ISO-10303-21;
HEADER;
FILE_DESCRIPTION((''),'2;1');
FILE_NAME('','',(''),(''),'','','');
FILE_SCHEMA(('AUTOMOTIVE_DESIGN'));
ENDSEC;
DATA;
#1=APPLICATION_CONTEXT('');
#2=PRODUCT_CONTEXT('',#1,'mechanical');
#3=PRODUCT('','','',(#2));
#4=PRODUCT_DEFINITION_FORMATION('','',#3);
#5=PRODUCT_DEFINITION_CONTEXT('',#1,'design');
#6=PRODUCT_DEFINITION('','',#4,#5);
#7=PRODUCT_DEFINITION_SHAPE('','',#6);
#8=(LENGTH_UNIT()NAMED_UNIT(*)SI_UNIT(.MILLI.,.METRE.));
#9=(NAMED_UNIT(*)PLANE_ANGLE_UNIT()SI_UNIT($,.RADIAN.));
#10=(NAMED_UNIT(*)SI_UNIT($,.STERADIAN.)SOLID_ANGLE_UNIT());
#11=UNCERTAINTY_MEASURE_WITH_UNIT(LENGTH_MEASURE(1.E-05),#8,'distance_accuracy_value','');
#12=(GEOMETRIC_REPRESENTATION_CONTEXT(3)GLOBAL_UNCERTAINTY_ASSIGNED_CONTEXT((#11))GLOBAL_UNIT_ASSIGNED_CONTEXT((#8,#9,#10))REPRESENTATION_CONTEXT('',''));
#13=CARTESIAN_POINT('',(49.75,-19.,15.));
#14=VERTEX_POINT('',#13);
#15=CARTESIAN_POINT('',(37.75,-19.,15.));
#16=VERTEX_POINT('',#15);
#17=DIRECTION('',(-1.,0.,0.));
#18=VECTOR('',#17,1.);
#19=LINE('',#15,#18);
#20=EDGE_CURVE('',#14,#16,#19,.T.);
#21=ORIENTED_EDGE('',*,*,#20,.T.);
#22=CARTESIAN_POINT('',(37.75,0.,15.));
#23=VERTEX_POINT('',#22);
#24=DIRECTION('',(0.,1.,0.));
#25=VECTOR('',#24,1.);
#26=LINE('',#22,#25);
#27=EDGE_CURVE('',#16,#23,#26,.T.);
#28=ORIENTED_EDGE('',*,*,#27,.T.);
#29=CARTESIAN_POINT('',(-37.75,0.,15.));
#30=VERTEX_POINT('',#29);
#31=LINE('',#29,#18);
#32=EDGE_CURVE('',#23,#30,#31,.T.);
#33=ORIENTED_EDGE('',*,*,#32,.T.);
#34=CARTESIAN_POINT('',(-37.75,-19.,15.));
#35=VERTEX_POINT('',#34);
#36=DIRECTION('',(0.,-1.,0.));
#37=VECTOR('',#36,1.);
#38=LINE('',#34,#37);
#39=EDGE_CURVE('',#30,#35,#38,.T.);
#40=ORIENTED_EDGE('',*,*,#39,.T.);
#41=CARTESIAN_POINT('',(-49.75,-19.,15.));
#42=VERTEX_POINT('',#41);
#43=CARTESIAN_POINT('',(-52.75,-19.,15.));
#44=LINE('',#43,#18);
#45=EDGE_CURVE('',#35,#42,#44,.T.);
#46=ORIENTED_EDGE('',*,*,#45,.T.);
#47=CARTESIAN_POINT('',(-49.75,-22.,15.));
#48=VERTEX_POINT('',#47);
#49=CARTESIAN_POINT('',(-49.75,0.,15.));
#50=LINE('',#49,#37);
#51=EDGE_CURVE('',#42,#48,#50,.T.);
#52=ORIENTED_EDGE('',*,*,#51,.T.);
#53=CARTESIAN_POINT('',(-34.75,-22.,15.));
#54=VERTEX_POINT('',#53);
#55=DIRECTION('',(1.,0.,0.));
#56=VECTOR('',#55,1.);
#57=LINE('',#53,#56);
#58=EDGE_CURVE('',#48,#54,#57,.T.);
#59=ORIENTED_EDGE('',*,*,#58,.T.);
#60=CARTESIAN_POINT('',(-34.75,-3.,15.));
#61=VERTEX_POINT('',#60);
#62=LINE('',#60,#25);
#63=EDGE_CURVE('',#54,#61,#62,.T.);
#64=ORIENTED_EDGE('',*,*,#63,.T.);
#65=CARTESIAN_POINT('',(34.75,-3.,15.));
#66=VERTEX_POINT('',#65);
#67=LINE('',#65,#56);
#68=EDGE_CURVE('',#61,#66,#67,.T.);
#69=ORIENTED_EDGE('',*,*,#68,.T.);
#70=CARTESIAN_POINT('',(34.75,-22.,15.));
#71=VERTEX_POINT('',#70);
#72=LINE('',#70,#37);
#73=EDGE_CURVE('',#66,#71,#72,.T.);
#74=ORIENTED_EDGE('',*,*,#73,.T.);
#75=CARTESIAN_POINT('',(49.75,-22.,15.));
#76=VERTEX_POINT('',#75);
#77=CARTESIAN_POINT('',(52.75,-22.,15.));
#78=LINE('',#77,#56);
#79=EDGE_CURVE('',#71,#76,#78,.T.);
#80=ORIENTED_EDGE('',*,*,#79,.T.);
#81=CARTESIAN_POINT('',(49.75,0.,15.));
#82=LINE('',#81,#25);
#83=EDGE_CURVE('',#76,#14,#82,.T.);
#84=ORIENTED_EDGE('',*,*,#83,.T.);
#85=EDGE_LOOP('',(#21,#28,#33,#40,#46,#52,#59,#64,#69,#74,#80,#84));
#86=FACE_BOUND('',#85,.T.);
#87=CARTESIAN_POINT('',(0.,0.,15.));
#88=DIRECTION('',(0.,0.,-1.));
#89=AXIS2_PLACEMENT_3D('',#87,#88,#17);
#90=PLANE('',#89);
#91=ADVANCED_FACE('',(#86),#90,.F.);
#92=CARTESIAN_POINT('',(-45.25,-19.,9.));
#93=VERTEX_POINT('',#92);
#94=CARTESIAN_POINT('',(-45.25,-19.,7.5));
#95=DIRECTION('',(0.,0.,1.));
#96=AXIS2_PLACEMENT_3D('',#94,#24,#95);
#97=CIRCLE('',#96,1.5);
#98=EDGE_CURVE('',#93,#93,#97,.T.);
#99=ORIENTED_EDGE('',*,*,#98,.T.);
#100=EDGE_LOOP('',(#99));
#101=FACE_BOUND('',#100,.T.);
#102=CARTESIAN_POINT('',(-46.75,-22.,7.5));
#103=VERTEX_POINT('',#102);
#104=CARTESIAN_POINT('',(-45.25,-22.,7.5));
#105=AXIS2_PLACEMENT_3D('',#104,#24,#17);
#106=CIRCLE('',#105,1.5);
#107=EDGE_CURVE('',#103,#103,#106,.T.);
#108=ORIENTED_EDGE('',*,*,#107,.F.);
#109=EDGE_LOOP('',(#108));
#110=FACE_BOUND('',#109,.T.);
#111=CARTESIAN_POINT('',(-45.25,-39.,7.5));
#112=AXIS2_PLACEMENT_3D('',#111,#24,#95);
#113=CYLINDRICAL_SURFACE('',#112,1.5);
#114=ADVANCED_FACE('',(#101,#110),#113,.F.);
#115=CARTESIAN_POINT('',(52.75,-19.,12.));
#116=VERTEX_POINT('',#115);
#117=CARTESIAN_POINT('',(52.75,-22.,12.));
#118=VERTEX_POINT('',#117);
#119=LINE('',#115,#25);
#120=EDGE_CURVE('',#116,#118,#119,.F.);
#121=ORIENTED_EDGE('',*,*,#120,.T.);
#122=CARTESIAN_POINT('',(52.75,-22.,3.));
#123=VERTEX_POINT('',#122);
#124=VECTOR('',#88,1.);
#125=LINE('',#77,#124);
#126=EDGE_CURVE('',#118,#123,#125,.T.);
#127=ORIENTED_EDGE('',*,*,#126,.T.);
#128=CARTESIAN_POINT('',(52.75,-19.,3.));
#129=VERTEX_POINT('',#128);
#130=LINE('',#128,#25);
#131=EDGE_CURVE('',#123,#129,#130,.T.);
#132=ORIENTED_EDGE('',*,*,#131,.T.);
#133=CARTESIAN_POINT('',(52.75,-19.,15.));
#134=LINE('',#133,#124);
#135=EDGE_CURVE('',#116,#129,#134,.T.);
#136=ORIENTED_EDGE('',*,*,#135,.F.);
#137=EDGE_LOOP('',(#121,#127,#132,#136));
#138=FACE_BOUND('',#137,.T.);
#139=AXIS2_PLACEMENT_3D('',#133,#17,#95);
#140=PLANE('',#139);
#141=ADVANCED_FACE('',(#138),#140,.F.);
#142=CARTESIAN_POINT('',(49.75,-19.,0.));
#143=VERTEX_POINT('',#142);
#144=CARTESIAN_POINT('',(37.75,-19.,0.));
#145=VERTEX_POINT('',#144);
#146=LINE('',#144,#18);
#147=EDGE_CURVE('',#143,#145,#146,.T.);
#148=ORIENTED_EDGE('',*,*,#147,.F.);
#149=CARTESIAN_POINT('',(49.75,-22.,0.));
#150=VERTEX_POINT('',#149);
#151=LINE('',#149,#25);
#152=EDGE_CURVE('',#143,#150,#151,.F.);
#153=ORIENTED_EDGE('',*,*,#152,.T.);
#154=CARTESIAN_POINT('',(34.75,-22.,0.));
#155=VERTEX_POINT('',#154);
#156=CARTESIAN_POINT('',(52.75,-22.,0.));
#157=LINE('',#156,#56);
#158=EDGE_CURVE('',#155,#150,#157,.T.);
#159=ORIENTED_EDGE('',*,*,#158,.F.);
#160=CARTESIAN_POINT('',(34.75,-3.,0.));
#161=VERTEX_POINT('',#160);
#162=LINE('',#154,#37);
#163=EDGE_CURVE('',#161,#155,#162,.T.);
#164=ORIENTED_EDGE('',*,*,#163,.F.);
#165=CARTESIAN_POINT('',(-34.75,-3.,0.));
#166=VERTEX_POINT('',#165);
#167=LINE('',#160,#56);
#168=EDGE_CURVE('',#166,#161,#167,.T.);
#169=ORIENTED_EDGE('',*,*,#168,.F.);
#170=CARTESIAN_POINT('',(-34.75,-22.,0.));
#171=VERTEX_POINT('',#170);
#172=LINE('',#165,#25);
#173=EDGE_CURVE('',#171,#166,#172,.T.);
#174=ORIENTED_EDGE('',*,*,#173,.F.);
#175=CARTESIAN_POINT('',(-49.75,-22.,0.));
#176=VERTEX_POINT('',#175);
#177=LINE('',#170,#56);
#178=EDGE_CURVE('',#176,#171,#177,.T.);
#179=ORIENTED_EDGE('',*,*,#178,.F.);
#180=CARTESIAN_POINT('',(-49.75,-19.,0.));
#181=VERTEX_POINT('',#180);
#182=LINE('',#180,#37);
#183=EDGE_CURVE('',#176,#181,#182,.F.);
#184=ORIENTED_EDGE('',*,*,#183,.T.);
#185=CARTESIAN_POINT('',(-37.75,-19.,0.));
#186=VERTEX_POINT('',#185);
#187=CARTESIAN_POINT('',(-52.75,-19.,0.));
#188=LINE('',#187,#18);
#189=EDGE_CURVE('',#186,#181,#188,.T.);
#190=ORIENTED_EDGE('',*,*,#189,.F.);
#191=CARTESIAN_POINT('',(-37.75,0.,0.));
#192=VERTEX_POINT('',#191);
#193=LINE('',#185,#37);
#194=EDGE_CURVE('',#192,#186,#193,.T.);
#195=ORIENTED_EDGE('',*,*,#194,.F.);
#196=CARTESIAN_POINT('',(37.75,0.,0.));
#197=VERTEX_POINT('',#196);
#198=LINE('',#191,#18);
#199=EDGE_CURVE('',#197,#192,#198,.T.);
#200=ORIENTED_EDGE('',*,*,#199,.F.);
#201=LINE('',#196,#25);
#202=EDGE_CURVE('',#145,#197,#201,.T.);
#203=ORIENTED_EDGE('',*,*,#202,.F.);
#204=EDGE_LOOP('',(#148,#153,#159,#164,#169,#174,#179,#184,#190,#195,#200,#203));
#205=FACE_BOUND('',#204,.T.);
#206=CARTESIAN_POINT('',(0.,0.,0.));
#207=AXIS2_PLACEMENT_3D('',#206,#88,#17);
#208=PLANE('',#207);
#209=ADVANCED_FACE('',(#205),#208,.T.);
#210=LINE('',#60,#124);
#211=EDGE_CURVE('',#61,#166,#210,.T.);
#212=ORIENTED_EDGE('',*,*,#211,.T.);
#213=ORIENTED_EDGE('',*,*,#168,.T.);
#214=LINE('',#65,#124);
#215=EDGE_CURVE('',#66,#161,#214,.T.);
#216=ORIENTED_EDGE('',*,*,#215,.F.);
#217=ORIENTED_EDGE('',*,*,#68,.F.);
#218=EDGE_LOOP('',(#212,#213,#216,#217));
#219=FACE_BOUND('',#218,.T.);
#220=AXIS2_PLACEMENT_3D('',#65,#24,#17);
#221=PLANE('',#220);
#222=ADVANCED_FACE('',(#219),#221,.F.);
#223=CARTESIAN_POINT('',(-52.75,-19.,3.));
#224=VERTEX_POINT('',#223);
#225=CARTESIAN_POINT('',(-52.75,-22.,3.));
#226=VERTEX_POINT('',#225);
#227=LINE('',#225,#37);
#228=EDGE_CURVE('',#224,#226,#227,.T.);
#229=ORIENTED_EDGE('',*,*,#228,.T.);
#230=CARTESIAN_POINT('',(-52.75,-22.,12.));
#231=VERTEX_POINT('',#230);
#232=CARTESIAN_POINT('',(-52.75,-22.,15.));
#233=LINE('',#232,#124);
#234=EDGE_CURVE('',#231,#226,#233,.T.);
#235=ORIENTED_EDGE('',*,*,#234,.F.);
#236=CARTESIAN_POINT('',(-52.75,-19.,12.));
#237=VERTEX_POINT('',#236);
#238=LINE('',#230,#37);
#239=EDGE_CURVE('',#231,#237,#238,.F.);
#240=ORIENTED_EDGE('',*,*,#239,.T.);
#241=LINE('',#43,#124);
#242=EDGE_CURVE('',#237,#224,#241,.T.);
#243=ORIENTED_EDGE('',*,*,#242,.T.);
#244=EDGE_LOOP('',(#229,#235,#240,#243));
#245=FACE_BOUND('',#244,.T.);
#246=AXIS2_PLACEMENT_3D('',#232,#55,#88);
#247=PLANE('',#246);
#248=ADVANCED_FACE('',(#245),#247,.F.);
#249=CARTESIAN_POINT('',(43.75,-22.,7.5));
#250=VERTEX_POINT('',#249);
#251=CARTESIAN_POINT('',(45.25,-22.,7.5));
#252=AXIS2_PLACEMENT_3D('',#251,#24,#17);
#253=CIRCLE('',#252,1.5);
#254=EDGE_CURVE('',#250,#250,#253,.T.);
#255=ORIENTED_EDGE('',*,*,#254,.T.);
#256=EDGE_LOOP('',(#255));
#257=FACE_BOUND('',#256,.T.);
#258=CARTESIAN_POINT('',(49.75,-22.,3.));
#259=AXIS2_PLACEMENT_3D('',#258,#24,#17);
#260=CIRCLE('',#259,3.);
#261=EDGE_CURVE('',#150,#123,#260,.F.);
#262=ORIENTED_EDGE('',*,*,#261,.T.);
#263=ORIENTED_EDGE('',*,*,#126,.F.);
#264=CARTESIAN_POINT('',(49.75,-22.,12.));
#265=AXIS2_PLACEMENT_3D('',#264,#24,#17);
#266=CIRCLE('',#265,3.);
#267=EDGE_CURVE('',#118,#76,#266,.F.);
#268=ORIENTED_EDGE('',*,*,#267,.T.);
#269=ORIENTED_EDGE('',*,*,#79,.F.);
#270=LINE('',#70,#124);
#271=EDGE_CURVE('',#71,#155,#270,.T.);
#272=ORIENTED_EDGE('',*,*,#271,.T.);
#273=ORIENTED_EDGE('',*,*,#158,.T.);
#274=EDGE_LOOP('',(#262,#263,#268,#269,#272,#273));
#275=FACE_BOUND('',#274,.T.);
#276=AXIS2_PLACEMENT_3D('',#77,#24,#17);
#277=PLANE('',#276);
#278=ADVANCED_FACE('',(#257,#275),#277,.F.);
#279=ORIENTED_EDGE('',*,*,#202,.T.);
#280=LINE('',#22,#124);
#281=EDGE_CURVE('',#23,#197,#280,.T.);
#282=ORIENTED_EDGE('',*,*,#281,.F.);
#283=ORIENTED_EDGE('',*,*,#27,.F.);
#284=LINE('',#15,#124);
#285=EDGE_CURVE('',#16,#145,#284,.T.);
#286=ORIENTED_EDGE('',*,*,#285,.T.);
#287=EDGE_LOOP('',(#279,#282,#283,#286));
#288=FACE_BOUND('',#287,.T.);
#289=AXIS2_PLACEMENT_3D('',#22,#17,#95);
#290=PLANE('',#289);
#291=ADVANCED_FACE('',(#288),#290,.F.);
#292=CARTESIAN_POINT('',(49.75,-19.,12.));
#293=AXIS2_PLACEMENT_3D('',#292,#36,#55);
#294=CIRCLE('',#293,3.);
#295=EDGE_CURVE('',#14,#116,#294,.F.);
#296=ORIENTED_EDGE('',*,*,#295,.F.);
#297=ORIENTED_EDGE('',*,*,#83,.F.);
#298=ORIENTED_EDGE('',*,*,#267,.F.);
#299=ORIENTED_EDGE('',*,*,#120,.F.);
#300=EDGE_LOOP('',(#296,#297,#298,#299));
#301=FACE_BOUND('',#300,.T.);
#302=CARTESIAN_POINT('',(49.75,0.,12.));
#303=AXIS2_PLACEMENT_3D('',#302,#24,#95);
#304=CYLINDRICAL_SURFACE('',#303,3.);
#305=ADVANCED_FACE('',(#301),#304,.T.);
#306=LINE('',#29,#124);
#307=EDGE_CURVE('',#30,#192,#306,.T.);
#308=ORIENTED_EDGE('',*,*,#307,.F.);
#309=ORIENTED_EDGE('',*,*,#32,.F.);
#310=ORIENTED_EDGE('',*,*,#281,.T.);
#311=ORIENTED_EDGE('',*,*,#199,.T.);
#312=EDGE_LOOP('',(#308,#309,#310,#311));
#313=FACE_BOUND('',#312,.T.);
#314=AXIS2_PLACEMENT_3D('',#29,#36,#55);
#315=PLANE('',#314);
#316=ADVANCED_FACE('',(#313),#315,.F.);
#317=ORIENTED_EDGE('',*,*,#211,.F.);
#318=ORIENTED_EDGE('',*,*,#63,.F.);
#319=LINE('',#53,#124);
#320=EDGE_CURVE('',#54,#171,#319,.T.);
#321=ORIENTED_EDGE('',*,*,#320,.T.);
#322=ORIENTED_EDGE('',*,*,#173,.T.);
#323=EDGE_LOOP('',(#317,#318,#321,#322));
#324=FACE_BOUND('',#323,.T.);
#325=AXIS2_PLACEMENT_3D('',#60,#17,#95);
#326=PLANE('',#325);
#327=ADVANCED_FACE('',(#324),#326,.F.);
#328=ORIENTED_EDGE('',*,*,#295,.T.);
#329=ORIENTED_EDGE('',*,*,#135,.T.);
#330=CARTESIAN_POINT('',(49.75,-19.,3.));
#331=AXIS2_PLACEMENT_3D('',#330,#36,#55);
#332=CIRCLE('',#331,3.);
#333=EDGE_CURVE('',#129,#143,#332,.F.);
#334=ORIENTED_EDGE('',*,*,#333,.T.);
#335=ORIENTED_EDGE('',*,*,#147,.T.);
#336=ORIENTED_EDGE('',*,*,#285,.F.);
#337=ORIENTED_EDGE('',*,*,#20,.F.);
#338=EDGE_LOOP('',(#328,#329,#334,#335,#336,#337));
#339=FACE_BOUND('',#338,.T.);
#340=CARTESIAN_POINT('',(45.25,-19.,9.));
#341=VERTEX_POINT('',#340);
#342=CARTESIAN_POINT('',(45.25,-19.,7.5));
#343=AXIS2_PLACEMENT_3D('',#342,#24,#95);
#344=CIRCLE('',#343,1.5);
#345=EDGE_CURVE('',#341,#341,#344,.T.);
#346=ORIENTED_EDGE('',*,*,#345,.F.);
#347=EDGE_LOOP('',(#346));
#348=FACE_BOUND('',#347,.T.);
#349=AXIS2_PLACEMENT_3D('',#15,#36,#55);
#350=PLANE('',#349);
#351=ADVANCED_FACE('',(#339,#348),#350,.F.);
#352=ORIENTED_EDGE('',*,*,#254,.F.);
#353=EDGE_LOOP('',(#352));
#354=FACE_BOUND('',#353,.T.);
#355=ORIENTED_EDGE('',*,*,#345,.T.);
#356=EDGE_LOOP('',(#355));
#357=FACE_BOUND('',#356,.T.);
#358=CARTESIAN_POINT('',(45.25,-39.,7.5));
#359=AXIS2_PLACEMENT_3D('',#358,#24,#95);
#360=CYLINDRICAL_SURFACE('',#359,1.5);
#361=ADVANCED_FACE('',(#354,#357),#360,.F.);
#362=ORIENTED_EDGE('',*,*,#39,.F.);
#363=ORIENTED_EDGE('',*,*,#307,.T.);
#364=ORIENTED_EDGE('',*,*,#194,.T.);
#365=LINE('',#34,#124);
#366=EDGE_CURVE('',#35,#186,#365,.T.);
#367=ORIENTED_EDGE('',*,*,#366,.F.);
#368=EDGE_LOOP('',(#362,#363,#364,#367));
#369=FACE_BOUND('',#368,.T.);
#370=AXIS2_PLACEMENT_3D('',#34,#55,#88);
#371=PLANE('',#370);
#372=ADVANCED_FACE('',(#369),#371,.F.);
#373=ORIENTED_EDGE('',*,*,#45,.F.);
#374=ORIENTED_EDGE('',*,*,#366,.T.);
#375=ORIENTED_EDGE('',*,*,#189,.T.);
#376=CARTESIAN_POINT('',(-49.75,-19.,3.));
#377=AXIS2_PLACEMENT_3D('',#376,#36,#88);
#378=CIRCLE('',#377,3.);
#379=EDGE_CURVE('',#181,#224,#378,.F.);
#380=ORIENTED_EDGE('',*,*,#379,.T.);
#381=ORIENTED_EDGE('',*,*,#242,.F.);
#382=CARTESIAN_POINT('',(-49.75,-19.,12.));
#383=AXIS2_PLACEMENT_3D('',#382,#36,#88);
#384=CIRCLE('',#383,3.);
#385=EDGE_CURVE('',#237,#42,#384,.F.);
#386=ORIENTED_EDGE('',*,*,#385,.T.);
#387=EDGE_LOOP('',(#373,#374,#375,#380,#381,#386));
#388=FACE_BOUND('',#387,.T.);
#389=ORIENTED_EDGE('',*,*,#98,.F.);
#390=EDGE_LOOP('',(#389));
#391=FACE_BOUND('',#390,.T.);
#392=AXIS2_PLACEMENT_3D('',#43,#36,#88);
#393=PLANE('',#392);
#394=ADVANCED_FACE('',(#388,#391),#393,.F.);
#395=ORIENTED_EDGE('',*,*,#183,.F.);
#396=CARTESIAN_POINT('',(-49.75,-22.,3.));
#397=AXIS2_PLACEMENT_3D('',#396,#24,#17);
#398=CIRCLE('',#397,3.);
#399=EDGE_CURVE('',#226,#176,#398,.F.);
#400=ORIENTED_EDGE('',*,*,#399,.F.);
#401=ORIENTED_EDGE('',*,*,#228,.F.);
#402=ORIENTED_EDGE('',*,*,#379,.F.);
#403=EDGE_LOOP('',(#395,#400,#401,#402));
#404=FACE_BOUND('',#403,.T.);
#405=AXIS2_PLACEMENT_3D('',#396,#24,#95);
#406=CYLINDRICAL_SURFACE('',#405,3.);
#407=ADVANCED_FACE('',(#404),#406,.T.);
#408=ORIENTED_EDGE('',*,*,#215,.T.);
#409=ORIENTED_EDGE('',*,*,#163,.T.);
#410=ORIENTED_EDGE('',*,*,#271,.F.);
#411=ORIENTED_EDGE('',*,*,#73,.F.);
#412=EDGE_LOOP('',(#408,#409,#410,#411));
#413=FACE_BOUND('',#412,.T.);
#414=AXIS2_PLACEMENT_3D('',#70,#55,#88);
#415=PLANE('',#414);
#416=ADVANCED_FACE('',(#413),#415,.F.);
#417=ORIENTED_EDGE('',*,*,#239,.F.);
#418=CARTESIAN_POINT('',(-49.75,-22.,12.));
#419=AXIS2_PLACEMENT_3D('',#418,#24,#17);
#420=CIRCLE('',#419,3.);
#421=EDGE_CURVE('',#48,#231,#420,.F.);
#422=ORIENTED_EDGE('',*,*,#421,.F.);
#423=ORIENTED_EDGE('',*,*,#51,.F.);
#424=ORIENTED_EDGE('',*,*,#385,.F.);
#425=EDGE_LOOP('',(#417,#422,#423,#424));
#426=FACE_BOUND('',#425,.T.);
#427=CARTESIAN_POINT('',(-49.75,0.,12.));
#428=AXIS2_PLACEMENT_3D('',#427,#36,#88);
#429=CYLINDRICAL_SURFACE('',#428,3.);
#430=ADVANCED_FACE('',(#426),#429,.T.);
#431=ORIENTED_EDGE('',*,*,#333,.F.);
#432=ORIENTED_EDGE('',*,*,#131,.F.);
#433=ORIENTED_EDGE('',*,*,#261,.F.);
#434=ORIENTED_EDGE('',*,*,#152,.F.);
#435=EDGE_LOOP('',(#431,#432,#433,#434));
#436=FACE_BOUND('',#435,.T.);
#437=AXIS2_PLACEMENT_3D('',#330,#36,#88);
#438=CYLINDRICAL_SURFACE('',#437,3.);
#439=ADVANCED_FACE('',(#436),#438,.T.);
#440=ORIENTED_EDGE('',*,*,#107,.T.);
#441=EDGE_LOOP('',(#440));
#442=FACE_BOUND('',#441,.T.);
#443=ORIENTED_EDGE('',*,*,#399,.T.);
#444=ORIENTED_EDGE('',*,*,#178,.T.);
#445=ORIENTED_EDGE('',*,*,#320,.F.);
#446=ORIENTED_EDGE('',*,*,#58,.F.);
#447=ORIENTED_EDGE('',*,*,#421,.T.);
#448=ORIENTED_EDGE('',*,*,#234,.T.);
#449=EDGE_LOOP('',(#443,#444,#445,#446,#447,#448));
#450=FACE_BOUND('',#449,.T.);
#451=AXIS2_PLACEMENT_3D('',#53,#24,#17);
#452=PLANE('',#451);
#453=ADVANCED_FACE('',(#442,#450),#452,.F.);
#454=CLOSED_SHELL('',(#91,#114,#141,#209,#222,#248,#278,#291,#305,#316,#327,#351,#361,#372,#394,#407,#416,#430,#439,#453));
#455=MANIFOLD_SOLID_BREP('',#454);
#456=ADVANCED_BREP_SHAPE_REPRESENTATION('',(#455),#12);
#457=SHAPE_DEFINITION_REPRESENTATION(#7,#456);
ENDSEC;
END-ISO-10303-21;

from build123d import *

# Parameters (mm, degrees)
EXTRUDE_1_DEPTH     = 15
SKETCH_2_R          = 1.5
CUT_EXTRUDE_1_DEPTH = 20
FILLET_1_R          = 3


with BuildPart() as part:
    # 草图1 → 凸台-拉伸1 (new body)
    with BuildSketch(Plane.XY):
        Polygon((-37.75, 0), (37.75, 0), (37.75, -19), (52.75, -19), (52.75, -22), (34.75, -22), (34.75, -3), (-34.75, -3), (-34.75, -22), (-52.75, -22), (-52.75, -19), (-37.75, -19), align=None)
    extrude(amount=EXTRUDE_1_DEPTH)

    # 草图2 → 切除-拉伸1 (cut)
    with BuildSketch(Plane(origin=(0, -19, 0), x_dir=(1, 0, 0), z_dir=(0, 1, 0))):
        with Locations(Location((-45.25, -7.5, 0), (0, 0, 270))):
            Circle(SKETCH_2_R)
        with Locations(Location((45.25, -7.5, 0), (0, 0, 270))):
            Circle(SKETCH_2_R)
    extrude(amount=-CUT_EXTRUDE_1_DEPTH, mode=Mode.SUBTRACT)

    # 圆角1
    fillet_1_edges = [part.edges().sort_by_distance(p)[0] for p in [
        (-52.75, -20.5, 15),
        (52.75, -20.5, 0),
        (-52.75, -20.5, 0),
        (52.75, -20.5, 15),
    ]]
    fillet(fillet_1_edges, radius=FILLET_1_R)


solid = part.part
